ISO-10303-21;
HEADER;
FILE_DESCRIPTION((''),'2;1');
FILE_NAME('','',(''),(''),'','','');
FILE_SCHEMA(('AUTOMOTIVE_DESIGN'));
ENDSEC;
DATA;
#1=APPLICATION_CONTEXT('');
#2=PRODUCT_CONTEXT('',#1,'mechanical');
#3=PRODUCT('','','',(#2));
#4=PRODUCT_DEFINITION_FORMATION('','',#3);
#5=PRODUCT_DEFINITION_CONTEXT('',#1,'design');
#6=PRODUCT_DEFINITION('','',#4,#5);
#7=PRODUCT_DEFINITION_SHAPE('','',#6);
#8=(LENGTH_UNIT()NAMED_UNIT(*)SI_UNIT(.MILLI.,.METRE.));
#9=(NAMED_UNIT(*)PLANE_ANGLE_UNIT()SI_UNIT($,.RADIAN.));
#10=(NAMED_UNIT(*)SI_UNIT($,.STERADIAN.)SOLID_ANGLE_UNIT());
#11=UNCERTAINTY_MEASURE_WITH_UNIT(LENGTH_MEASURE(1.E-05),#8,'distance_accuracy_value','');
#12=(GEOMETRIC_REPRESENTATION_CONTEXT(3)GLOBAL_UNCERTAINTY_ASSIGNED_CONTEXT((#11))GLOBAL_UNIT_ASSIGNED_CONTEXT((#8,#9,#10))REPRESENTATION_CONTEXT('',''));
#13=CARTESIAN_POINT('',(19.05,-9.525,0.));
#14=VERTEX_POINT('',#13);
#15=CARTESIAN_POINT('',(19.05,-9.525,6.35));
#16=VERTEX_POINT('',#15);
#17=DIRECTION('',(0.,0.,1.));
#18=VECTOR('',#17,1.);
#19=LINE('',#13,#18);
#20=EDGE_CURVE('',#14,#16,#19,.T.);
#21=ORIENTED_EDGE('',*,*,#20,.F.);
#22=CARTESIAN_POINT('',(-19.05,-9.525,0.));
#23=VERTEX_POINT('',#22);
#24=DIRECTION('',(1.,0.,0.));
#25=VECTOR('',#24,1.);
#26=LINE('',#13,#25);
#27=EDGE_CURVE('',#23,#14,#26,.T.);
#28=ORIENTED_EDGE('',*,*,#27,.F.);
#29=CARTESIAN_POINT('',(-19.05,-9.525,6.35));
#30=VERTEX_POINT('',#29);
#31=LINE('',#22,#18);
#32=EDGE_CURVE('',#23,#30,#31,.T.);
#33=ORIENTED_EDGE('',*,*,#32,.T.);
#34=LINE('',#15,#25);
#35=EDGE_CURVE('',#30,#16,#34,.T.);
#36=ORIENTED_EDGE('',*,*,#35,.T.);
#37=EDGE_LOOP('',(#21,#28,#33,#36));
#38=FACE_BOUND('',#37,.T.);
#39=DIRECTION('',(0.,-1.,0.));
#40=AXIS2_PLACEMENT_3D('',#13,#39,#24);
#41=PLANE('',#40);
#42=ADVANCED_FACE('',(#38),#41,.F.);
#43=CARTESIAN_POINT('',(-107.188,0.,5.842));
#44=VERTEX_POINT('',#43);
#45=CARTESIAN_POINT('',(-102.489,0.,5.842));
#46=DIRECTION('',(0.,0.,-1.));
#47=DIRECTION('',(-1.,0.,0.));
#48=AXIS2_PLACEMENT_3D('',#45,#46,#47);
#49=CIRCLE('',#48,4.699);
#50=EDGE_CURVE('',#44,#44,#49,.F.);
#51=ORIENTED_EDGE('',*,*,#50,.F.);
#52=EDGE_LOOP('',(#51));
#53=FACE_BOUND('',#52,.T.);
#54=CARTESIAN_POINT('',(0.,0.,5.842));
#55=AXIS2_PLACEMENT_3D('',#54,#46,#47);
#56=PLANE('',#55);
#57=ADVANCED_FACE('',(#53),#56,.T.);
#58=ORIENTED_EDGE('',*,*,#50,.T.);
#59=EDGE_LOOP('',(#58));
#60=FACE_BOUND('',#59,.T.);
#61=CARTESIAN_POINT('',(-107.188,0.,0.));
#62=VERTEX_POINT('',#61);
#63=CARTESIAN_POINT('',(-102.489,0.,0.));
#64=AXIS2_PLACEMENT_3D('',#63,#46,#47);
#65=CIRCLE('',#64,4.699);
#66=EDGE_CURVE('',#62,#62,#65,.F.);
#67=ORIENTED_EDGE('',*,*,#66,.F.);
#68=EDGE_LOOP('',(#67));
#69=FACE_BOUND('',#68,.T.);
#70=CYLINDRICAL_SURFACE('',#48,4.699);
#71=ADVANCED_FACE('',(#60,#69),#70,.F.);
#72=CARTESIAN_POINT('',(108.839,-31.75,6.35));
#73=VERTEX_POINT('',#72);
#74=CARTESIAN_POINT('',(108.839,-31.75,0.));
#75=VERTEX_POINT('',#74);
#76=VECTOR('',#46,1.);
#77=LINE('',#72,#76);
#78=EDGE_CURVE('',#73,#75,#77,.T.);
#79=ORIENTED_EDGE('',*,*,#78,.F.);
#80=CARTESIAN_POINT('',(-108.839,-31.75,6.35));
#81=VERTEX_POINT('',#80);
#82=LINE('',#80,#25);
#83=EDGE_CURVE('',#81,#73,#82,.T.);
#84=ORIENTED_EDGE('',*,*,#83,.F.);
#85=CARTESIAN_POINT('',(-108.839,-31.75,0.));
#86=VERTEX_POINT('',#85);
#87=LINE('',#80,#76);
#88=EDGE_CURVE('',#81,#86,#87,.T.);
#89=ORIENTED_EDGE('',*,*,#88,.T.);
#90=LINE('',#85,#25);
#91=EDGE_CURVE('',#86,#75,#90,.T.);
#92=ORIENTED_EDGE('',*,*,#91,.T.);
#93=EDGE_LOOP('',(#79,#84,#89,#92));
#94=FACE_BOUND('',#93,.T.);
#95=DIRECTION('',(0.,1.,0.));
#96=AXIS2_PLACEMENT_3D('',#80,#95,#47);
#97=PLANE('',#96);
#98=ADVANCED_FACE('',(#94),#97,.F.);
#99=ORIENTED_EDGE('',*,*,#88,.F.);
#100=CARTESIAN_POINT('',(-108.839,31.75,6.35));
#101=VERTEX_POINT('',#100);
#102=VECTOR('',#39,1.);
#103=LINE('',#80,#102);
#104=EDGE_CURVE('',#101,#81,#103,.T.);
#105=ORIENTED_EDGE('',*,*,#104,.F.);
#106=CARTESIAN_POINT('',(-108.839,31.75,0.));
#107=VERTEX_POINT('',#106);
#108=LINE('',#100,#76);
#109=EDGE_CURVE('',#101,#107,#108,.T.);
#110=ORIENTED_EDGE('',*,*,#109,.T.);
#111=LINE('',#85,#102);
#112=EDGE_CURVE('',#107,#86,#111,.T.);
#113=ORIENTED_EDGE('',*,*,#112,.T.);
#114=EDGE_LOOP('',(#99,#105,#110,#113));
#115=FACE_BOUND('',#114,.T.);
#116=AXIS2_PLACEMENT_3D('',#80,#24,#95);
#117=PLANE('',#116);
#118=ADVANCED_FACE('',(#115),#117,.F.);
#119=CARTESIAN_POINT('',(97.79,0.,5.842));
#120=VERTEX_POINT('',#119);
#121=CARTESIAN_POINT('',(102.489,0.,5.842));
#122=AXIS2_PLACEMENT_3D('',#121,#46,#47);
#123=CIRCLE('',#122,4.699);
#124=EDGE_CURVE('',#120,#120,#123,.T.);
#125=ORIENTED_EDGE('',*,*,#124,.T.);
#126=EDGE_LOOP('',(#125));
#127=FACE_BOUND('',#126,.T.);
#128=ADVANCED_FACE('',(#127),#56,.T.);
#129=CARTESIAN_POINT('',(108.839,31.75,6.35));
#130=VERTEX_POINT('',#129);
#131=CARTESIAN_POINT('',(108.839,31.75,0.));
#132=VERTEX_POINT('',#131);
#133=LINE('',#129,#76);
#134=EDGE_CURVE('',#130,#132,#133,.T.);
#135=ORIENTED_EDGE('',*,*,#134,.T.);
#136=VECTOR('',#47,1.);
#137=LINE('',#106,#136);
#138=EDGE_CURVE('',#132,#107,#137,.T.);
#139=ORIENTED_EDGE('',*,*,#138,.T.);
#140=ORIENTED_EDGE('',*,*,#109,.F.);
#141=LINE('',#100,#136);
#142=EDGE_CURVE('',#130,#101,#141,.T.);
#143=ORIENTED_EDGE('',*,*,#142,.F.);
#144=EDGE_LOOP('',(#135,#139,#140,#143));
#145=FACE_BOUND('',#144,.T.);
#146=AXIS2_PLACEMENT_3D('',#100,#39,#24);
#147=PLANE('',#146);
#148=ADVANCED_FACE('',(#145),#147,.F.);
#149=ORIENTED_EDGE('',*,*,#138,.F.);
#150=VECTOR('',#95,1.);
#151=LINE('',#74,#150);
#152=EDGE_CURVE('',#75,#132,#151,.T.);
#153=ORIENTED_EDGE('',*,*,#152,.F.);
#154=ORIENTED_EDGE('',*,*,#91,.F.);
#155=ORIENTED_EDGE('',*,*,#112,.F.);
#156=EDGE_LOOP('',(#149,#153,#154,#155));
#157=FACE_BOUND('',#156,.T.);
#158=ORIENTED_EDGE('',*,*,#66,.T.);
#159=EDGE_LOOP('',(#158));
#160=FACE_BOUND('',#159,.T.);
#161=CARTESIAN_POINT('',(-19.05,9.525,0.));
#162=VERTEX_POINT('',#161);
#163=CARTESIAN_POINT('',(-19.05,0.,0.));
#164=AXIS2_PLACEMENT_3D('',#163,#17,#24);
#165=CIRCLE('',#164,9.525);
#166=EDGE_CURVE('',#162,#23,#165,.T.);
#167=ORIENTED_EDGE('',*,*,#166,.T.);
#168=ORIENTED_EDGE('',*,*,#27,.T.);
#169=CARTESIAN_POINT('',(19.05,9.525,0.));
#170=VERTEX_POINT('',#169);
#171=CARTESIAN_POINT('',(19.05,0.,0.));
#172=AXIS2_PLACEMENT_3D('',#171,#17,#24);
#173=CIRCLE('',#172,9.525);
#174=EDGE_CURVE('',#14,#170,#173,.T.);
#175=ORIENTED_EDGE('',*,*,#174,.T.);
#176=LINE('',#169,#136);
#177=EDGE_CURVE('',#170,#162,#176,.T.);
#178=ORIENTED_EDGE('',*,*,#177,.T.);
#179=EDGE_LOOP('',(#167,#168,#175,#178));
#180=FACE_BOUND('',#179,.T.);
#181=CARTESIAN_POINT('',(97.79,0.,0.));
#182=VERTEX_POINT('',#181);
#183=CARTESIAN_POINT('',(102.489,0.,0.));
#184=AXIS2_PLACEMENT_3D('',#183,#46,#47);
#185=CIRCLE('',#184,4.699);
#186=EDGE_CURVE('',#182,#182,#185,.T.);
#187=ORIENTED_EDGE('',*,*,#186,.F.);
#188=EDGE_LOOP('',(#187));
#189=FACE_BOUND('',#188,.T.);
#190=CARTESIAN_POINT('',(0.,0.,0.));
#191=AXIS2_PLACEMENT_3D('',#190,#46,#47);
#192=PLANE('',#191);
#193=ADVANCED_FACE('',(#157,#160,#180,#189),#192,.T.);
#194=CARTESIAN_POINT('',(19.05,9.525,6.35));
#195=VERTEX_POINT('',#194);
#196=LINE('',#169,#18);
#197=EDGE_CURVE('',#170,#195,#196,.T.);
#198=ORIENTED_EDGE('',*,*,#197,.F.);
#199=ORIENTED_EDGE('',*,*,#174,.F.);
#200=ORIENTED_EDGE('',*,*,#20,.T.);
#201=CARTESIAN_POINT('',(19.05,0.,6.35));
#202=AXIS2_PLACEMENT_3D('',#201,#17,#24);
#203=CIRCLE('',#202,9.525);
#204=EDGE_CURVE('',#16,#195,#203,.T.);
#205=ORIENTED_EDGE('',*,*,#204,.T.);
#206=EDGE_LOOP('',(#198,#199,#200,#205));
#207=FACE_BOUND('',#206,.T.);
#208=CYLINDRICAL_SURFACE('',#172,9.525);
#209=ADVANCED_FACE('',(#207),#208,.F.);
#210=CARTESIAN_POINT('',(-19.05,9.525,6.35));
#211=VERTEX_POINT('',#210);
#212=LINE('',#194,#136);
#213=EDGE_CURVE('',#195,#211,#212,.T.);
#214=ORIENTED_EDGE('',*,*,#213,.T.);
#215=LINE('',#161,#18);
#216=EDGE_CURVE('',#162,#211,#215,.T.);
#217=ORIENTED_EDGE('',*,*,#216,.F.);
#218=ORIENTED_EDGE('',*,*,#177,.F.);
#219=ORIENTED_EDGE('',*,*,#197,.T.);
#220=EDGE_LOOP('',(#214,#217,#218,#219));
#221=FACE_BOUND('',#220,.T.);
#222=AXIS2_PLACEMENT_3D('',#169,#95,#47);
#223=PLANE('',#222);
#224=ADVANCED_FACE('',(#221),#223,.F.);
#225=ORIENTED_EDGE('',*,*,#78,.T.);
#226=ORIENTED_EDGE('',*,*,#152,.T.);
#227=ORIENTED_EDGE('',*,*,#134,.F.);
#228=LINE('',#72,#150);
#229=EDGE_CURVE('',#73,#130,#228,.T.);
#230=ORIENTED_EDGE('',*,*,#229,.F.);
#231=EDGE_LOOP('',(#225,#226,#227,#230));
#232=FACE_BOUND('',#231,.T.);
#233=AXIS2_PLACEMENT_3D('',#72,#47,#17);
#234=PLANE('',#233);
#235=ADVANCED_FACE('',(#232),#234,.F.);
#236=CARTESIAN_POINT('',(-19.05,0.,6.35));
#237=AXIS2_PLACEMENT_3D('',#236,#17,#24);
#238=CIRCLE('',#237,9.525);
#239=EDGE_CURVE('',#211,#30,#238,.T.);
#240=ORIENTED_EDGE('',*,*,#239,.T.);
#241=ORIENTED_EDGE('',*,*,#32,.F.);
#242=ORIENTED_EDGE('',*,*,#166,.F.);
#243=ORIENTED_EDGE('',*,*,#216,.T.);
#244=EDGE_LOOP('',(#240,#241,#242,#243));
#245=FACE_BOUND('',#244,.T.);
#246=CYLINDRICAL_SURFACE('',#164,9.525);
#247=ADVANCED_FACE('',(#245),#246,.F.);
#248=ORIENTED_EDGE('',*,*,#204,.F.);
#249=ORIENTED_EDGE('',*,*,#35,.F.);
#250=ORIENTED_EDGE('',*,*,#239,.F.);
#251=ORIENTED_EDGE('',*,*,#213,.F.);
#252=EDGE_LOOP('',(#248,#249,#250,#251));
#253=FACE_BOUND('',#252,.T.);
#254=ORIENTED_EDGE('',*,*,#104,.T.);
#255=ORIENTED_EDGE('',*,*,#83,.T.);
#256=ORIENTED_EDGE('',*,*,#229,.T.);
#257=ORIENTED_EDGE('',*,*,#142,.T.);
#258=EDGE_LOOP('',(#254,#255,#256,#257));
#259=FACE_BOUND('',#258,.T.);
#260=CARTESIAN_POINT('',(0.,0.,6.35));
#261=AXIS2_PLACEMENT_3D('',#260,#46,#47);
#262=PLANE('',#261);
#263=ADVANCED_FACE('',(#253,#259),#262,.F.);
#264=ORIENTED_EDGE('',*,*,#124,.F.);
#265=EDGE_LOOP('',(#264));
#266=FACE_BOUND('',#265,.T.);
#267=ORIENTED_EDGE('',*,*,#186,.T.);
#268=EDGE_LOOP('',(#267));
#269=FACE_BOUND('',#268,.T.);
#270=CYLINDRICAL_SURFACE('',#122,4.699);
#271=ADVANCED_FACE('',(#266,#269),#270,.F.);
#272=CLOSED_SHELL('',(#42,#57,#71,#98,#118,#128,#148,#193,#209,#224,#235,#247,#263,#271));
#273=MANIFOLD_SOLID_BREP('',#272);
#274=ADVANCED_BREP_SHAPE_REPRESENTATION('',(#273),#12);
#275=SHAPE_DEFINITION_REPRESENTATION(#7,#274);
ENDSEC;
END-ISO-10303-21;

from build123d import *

# Parameters (mm, degrees)
SKETCH1_W               = 217.678
SKETCH1_H               = 63.5
BOSS_EXTRUDE1_DEPTH     = 6.35
CUT_EXTRUDE1_DEPTH      = 114.553128187
CUT_EXTRUDE1_DEPTH_BACK = 114.553128187
SKETCH3_R               = 4.699
CUT_EXTRUDE2_DEPTH      = 5.842


with BuildPart() as part:
    # Sketch1 → Boss-Extrude1 (new body)
    with BuildSketch(Plane.XY):
        Rectangle(SKETCH1_W, SKETCH1_H)
    extrude(amount=BOSS_EXTRUDE1_DEPTH)

    # Sketch2 → Cut-Extrude1 (cut, two sides: drawn at the far end of the back side and taken through both)
    with BuildSketch(Plane.XY.offset(6.35).offset(-CUT_EXTRUDE1_DEPTH_BACK)):
        with BuildLine():
            Line((19.05, -9.525), (-19.05, -9.525))
            ThreePointArc((-19.05, -9.525), (-28.575, 0), (-19.05, 9.525))
            Line((-19.05, 9.525), (19.05, 9.525))
            ThreePointArc((19.05, 9.525), (28.575, 0), (19.05, -9.525))
        make_face()
    extrude(amount=CUT_EXTRUDE1_DEPTH + CUT_EXTRUDE1_DEPTH_BACK, mode=Mode.SUBTRACT)

    # Sketch3 → Cut-Extrude2 (cut)
    with BuildSketch(Plane(origin=(0, 0, 0), x_dir=(-1, 0, 0), z_dir=(0, 0, -1))):
        with Locations((-102.489, 0)):
            Circle(SKETCH3_R)
        with Locations((102.489, 0)):
            Circle(SKETCH3_R)
    extrude(amount=-CUT_EXTRUDE2_DEPTH, mode=Mode.SUBTRACT)


solid = part.part
